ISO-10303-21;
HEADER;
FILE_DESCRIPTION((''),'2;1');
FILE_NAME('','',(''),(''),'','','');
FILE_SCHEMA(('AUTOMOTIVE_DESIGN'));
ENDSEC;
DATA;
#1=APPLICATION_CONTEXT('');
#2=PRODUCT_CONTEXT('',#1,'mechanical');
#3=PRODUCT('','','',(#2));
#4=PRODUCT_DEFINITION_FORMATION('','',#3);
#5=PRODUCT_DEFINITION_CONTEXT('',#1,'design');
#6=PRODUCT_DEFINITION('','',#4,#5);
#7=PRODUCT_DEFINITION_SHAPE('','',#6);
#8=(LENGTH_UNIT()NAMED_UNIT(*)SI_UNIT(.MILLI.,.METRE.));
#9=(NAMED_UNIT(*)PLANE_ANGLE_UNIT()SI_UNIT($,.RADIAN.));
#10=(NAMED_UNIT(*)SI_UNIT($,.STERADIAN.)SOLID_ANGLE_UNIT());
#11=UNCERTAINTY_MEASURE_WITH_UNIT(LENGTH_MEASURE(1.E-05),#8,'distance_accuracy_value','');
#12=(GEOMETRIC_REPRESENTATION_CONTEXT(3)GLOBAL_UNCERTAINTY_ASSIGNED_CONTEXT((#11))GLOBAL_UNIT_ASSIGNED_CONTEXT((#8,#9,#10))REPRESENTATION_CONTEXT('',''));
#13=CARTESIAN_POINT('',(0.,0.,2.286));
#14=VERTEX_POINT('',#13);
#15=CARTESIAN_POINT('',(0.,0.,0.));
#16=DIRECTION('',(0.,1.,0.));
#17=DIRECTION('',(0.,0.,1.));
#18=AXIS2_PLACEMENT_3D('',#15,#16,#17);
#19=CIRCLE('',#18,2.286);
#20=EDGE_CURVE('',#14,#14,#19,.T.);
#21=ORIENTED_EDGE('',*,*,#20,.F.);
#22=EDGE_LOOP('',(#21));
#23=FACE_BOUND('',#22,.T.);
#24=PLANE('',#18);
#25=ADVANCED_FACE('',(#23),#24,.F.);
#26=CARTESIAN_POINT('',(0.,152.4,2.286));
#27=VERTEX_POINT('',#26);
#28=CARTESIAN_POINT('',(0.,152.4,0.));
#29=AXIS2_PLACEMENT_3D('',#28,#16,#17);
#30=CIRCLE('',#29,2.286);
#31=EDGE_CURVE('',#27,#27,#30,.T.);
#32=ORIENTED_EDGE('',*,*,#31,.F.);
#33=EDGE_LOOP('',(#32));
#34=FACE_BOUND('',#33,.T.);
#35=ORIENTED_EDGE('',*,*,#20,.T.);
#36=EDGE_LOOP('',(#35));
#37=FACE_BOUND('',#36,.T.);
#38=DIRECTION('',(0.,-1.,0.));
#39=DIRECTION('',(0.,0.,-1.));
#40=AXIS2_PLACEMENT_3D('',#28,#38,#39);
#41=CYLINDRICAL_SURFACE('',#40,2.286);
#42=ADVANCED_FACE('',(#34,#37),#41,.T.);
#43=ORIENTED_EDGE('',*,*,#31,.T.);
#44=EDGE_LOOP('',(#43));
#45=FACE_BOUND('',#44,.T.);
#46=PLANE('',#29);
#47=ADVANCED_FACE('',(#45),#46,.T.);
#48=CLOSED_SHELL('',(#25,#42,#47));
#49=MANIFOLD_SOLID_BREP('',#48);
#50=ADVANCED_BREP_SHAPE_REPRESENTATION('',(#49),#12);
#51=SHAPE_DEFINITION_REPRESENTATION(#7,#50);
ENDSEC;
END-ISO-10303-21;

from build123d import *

# Parameters (mm, degrees)
SKETCH1_R           = 2.286
BOSS_EXTRUDE1_DEPTH = 152.4


with BuildPart() as part:
    # Sketch1 → Boss-Extrude1 (new body)
    with BuildSketch(Plane(origin=(0, 0, 0), x_dir=(1, 0, 0), z_dir=(0, 1, 0))):
        Circle(SKETCH1_R)
    extrude(amount=BOSS_EXTRUDE1_DEPTH)


solid = part.part
